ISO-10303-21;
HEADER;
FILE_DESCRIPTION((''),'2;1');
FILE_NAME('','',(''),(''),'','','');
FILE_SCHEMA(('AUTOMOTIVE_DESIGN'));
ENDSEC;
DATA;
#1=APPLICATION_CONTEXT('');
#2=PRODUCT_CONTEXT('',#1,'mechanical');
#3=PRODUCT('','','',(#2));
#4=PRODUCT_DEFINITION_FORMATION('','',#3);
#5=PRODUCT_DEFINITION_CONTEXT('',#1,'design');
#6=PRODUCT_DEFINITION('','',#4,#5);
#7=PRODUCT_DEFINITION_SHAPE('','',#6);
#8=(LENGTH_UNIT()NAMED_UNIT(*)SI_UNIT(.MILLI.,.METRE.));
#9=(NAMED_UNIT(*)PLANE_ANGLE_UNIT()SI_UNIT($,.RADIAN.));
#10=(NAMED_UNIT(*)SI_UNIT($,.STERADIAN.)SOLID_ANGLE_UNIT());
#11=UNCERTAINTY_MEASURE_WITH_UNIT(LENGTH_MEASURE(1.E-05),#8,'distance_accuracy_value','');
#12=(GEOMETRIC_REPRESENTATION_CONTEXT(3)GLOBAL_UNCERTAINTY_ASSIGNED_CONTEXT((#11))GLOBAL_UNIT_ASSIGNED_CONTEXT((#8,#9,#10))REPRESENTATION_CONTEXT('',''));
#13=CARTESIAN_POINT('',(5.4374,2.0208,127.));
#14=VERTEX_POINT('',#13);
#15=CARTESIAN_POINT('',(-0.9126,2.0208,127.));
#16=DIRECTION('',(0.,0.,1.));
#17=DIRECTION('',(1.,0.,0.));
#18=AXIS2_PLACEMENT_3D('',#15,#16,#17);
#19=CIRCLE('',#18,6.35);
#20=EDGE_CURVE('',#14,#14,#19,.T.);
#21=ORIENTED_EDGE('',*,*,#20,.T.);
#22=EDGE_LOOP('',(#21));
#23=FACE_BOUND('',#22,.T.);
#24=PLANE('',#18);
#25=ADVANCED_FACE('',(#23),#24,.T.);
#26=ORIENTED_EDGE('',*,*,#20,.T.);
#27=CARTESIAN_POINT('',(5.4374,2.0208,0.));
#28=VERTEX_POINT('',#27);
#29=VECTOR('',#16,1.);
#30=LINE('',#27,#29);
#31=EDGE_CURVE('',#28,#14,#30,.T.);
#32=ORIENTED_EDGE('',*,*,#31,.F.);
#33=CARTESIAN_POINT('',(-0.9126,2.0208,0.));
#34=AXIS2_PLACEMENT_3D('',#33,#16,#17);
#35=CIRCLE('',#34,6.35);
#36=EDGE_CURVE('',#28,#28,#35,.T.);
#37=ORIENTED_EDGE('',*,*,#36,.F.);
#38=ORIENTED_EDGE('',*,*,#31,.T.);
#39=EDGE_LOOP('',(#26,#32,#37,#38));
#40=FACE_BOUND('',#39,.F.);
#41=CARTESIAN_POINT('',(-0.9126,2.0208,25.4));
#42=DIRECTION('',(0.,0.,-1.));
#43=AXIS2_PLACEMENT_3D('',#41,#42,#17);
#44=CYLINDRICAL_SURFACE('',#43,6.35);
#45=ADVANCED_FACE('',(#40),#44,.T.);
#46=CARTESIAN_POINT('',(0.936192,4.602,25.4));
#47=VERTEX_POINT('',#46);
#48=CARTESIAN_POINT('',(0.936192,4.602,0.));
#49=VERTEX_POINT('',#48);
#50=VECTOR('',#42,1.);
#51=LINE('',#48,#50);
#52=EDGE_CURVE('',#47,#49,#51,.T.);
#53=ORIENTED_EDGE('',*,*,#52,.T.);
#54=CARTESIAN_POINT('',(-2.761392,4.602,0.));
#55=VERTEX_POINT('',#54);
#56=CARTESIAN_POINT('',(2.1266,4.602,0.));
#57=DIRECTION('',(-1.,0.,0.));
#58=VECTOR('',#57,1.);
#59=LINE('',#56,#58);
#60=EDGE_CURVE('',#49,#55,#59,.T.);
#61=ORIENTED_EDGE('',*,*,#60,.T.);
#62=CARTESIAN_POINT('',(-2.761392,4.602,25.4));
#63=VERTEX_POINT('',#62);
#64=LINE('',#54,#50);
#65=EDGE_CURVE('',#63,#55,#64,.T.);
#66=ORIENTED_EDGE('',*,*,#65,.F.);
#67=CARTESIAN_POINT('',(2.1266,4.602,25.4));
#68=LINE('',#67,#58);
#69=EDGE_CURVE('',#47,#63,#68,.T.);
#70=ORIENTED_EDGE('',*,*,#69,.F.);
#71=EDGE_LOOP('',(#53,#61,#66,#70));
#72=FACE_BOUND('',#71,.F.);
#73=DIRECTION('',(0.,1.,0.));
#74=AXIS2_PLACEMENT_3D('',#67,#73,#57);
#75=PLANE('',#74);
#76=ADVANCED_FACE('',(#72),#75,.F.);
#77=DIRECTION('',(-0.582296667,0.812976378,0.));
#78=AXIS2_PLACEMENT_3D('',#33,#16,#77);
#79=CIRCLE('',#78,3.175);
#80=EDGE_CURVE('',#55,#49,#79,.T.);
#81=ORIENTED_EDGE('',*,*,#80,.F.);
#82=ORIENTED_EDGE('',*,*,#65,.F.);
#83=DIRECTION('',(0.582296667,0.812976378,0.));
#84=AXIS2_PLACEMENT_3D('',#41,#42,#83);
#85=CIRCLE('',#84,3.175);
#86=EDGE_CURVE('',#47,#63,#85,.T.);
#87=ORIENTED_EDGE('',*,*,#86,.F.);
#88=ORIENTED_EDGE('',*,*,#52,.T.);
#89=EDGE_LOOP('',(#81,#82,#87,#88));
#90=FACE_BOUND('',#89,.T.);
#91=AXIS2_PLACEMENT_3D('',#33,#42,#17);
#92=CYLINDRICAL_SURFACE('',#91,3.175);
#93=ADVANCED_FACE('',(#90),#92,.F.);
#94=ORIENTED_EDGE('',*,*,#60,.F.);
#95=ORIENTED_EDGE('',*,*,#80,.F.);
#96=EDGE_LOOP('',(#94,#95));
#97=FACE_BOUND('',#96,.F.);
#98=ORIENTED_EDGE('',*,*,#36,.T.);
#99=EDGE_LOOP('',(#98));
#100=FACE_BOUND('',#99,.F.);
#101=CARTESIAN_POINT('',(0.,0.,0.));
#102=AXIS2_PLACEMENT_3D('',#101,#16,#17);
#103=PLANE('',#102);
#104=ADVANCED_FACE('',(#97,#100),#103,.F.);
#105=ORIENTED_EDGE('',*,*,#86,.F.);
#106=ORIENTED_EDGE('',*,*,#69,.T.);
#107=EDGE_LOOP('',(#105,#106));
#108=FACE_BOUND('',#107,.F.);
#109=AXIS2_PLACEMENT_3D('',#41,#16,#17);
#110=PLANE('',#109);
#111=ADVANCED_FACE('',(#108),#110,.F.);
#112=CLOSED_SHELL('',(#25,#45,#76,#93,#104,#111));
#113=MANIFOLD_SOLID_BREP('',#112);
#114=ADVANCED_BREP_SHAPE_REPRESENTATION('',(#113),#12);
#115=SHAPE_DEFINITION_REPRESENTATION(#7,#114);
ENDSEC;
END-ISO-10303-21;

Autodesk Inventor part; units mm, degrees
ref_plane "YZ Plane" through (0, 0, 0) normal (1, 0, 0) x (0, 1, 0)
ref_plane "XZ Plane" through (0, 0, 0) normal (0, 1, 0) x (-1, 0, 0)
ref_plane "XY Plane" through (0, 0, 0) normal (0, 0, 1) x (1, 0, 0)
sketch "Sketch1" plane through (0, 0, 0) normal (0, 0, 1) x (1, 0, 0)
  circle A0 centre (-0.9126, 2.0208) radius 3.175
  circle A1 centre (-0.9126, 2.0208) radius 6.35
  point P0 (0, 0)
  dimension "d0" = 6.35
  dimension "d1" = 12.7
extrude "Extrusion1" add sketch "Sketch1" along normal blind 25.4
sketch "Sketch2" plane through (-0.9126, 2.0208, 25.4) normal (0, 0, 1) x (1, 0, 0)
  line L0 (-3.2261, 4.7402) -> (3.0392, 4.7402)
  line L1 (3.0392, 4.7402) -> (3.0392, 2.5812)
  line L2 (3.0392, 2.5812) -> (-3.2261, 2.5812)
  line L3 (-3.2261, 2.5812) -> (-3.2261, 4.7402)
  point P0 (0.9126, -2.0208)
  dimension "d6" = 2.159
extrude "Extrusion2" add sketch "Sketch2" against normal blind 25.4
sketch "Sketch3" plane through (-0.9126, 2.0208, 25.4) normal (0, 0, 1) x (1, 0, 0)
  circle A0 centre (0, 0) radius 6.35
  point P0 (0.9126, -2.0208)
extrude "Extrusion3" add sketch "Sketch3" along normal blind 101.6
properties part number "motoradaptor"
